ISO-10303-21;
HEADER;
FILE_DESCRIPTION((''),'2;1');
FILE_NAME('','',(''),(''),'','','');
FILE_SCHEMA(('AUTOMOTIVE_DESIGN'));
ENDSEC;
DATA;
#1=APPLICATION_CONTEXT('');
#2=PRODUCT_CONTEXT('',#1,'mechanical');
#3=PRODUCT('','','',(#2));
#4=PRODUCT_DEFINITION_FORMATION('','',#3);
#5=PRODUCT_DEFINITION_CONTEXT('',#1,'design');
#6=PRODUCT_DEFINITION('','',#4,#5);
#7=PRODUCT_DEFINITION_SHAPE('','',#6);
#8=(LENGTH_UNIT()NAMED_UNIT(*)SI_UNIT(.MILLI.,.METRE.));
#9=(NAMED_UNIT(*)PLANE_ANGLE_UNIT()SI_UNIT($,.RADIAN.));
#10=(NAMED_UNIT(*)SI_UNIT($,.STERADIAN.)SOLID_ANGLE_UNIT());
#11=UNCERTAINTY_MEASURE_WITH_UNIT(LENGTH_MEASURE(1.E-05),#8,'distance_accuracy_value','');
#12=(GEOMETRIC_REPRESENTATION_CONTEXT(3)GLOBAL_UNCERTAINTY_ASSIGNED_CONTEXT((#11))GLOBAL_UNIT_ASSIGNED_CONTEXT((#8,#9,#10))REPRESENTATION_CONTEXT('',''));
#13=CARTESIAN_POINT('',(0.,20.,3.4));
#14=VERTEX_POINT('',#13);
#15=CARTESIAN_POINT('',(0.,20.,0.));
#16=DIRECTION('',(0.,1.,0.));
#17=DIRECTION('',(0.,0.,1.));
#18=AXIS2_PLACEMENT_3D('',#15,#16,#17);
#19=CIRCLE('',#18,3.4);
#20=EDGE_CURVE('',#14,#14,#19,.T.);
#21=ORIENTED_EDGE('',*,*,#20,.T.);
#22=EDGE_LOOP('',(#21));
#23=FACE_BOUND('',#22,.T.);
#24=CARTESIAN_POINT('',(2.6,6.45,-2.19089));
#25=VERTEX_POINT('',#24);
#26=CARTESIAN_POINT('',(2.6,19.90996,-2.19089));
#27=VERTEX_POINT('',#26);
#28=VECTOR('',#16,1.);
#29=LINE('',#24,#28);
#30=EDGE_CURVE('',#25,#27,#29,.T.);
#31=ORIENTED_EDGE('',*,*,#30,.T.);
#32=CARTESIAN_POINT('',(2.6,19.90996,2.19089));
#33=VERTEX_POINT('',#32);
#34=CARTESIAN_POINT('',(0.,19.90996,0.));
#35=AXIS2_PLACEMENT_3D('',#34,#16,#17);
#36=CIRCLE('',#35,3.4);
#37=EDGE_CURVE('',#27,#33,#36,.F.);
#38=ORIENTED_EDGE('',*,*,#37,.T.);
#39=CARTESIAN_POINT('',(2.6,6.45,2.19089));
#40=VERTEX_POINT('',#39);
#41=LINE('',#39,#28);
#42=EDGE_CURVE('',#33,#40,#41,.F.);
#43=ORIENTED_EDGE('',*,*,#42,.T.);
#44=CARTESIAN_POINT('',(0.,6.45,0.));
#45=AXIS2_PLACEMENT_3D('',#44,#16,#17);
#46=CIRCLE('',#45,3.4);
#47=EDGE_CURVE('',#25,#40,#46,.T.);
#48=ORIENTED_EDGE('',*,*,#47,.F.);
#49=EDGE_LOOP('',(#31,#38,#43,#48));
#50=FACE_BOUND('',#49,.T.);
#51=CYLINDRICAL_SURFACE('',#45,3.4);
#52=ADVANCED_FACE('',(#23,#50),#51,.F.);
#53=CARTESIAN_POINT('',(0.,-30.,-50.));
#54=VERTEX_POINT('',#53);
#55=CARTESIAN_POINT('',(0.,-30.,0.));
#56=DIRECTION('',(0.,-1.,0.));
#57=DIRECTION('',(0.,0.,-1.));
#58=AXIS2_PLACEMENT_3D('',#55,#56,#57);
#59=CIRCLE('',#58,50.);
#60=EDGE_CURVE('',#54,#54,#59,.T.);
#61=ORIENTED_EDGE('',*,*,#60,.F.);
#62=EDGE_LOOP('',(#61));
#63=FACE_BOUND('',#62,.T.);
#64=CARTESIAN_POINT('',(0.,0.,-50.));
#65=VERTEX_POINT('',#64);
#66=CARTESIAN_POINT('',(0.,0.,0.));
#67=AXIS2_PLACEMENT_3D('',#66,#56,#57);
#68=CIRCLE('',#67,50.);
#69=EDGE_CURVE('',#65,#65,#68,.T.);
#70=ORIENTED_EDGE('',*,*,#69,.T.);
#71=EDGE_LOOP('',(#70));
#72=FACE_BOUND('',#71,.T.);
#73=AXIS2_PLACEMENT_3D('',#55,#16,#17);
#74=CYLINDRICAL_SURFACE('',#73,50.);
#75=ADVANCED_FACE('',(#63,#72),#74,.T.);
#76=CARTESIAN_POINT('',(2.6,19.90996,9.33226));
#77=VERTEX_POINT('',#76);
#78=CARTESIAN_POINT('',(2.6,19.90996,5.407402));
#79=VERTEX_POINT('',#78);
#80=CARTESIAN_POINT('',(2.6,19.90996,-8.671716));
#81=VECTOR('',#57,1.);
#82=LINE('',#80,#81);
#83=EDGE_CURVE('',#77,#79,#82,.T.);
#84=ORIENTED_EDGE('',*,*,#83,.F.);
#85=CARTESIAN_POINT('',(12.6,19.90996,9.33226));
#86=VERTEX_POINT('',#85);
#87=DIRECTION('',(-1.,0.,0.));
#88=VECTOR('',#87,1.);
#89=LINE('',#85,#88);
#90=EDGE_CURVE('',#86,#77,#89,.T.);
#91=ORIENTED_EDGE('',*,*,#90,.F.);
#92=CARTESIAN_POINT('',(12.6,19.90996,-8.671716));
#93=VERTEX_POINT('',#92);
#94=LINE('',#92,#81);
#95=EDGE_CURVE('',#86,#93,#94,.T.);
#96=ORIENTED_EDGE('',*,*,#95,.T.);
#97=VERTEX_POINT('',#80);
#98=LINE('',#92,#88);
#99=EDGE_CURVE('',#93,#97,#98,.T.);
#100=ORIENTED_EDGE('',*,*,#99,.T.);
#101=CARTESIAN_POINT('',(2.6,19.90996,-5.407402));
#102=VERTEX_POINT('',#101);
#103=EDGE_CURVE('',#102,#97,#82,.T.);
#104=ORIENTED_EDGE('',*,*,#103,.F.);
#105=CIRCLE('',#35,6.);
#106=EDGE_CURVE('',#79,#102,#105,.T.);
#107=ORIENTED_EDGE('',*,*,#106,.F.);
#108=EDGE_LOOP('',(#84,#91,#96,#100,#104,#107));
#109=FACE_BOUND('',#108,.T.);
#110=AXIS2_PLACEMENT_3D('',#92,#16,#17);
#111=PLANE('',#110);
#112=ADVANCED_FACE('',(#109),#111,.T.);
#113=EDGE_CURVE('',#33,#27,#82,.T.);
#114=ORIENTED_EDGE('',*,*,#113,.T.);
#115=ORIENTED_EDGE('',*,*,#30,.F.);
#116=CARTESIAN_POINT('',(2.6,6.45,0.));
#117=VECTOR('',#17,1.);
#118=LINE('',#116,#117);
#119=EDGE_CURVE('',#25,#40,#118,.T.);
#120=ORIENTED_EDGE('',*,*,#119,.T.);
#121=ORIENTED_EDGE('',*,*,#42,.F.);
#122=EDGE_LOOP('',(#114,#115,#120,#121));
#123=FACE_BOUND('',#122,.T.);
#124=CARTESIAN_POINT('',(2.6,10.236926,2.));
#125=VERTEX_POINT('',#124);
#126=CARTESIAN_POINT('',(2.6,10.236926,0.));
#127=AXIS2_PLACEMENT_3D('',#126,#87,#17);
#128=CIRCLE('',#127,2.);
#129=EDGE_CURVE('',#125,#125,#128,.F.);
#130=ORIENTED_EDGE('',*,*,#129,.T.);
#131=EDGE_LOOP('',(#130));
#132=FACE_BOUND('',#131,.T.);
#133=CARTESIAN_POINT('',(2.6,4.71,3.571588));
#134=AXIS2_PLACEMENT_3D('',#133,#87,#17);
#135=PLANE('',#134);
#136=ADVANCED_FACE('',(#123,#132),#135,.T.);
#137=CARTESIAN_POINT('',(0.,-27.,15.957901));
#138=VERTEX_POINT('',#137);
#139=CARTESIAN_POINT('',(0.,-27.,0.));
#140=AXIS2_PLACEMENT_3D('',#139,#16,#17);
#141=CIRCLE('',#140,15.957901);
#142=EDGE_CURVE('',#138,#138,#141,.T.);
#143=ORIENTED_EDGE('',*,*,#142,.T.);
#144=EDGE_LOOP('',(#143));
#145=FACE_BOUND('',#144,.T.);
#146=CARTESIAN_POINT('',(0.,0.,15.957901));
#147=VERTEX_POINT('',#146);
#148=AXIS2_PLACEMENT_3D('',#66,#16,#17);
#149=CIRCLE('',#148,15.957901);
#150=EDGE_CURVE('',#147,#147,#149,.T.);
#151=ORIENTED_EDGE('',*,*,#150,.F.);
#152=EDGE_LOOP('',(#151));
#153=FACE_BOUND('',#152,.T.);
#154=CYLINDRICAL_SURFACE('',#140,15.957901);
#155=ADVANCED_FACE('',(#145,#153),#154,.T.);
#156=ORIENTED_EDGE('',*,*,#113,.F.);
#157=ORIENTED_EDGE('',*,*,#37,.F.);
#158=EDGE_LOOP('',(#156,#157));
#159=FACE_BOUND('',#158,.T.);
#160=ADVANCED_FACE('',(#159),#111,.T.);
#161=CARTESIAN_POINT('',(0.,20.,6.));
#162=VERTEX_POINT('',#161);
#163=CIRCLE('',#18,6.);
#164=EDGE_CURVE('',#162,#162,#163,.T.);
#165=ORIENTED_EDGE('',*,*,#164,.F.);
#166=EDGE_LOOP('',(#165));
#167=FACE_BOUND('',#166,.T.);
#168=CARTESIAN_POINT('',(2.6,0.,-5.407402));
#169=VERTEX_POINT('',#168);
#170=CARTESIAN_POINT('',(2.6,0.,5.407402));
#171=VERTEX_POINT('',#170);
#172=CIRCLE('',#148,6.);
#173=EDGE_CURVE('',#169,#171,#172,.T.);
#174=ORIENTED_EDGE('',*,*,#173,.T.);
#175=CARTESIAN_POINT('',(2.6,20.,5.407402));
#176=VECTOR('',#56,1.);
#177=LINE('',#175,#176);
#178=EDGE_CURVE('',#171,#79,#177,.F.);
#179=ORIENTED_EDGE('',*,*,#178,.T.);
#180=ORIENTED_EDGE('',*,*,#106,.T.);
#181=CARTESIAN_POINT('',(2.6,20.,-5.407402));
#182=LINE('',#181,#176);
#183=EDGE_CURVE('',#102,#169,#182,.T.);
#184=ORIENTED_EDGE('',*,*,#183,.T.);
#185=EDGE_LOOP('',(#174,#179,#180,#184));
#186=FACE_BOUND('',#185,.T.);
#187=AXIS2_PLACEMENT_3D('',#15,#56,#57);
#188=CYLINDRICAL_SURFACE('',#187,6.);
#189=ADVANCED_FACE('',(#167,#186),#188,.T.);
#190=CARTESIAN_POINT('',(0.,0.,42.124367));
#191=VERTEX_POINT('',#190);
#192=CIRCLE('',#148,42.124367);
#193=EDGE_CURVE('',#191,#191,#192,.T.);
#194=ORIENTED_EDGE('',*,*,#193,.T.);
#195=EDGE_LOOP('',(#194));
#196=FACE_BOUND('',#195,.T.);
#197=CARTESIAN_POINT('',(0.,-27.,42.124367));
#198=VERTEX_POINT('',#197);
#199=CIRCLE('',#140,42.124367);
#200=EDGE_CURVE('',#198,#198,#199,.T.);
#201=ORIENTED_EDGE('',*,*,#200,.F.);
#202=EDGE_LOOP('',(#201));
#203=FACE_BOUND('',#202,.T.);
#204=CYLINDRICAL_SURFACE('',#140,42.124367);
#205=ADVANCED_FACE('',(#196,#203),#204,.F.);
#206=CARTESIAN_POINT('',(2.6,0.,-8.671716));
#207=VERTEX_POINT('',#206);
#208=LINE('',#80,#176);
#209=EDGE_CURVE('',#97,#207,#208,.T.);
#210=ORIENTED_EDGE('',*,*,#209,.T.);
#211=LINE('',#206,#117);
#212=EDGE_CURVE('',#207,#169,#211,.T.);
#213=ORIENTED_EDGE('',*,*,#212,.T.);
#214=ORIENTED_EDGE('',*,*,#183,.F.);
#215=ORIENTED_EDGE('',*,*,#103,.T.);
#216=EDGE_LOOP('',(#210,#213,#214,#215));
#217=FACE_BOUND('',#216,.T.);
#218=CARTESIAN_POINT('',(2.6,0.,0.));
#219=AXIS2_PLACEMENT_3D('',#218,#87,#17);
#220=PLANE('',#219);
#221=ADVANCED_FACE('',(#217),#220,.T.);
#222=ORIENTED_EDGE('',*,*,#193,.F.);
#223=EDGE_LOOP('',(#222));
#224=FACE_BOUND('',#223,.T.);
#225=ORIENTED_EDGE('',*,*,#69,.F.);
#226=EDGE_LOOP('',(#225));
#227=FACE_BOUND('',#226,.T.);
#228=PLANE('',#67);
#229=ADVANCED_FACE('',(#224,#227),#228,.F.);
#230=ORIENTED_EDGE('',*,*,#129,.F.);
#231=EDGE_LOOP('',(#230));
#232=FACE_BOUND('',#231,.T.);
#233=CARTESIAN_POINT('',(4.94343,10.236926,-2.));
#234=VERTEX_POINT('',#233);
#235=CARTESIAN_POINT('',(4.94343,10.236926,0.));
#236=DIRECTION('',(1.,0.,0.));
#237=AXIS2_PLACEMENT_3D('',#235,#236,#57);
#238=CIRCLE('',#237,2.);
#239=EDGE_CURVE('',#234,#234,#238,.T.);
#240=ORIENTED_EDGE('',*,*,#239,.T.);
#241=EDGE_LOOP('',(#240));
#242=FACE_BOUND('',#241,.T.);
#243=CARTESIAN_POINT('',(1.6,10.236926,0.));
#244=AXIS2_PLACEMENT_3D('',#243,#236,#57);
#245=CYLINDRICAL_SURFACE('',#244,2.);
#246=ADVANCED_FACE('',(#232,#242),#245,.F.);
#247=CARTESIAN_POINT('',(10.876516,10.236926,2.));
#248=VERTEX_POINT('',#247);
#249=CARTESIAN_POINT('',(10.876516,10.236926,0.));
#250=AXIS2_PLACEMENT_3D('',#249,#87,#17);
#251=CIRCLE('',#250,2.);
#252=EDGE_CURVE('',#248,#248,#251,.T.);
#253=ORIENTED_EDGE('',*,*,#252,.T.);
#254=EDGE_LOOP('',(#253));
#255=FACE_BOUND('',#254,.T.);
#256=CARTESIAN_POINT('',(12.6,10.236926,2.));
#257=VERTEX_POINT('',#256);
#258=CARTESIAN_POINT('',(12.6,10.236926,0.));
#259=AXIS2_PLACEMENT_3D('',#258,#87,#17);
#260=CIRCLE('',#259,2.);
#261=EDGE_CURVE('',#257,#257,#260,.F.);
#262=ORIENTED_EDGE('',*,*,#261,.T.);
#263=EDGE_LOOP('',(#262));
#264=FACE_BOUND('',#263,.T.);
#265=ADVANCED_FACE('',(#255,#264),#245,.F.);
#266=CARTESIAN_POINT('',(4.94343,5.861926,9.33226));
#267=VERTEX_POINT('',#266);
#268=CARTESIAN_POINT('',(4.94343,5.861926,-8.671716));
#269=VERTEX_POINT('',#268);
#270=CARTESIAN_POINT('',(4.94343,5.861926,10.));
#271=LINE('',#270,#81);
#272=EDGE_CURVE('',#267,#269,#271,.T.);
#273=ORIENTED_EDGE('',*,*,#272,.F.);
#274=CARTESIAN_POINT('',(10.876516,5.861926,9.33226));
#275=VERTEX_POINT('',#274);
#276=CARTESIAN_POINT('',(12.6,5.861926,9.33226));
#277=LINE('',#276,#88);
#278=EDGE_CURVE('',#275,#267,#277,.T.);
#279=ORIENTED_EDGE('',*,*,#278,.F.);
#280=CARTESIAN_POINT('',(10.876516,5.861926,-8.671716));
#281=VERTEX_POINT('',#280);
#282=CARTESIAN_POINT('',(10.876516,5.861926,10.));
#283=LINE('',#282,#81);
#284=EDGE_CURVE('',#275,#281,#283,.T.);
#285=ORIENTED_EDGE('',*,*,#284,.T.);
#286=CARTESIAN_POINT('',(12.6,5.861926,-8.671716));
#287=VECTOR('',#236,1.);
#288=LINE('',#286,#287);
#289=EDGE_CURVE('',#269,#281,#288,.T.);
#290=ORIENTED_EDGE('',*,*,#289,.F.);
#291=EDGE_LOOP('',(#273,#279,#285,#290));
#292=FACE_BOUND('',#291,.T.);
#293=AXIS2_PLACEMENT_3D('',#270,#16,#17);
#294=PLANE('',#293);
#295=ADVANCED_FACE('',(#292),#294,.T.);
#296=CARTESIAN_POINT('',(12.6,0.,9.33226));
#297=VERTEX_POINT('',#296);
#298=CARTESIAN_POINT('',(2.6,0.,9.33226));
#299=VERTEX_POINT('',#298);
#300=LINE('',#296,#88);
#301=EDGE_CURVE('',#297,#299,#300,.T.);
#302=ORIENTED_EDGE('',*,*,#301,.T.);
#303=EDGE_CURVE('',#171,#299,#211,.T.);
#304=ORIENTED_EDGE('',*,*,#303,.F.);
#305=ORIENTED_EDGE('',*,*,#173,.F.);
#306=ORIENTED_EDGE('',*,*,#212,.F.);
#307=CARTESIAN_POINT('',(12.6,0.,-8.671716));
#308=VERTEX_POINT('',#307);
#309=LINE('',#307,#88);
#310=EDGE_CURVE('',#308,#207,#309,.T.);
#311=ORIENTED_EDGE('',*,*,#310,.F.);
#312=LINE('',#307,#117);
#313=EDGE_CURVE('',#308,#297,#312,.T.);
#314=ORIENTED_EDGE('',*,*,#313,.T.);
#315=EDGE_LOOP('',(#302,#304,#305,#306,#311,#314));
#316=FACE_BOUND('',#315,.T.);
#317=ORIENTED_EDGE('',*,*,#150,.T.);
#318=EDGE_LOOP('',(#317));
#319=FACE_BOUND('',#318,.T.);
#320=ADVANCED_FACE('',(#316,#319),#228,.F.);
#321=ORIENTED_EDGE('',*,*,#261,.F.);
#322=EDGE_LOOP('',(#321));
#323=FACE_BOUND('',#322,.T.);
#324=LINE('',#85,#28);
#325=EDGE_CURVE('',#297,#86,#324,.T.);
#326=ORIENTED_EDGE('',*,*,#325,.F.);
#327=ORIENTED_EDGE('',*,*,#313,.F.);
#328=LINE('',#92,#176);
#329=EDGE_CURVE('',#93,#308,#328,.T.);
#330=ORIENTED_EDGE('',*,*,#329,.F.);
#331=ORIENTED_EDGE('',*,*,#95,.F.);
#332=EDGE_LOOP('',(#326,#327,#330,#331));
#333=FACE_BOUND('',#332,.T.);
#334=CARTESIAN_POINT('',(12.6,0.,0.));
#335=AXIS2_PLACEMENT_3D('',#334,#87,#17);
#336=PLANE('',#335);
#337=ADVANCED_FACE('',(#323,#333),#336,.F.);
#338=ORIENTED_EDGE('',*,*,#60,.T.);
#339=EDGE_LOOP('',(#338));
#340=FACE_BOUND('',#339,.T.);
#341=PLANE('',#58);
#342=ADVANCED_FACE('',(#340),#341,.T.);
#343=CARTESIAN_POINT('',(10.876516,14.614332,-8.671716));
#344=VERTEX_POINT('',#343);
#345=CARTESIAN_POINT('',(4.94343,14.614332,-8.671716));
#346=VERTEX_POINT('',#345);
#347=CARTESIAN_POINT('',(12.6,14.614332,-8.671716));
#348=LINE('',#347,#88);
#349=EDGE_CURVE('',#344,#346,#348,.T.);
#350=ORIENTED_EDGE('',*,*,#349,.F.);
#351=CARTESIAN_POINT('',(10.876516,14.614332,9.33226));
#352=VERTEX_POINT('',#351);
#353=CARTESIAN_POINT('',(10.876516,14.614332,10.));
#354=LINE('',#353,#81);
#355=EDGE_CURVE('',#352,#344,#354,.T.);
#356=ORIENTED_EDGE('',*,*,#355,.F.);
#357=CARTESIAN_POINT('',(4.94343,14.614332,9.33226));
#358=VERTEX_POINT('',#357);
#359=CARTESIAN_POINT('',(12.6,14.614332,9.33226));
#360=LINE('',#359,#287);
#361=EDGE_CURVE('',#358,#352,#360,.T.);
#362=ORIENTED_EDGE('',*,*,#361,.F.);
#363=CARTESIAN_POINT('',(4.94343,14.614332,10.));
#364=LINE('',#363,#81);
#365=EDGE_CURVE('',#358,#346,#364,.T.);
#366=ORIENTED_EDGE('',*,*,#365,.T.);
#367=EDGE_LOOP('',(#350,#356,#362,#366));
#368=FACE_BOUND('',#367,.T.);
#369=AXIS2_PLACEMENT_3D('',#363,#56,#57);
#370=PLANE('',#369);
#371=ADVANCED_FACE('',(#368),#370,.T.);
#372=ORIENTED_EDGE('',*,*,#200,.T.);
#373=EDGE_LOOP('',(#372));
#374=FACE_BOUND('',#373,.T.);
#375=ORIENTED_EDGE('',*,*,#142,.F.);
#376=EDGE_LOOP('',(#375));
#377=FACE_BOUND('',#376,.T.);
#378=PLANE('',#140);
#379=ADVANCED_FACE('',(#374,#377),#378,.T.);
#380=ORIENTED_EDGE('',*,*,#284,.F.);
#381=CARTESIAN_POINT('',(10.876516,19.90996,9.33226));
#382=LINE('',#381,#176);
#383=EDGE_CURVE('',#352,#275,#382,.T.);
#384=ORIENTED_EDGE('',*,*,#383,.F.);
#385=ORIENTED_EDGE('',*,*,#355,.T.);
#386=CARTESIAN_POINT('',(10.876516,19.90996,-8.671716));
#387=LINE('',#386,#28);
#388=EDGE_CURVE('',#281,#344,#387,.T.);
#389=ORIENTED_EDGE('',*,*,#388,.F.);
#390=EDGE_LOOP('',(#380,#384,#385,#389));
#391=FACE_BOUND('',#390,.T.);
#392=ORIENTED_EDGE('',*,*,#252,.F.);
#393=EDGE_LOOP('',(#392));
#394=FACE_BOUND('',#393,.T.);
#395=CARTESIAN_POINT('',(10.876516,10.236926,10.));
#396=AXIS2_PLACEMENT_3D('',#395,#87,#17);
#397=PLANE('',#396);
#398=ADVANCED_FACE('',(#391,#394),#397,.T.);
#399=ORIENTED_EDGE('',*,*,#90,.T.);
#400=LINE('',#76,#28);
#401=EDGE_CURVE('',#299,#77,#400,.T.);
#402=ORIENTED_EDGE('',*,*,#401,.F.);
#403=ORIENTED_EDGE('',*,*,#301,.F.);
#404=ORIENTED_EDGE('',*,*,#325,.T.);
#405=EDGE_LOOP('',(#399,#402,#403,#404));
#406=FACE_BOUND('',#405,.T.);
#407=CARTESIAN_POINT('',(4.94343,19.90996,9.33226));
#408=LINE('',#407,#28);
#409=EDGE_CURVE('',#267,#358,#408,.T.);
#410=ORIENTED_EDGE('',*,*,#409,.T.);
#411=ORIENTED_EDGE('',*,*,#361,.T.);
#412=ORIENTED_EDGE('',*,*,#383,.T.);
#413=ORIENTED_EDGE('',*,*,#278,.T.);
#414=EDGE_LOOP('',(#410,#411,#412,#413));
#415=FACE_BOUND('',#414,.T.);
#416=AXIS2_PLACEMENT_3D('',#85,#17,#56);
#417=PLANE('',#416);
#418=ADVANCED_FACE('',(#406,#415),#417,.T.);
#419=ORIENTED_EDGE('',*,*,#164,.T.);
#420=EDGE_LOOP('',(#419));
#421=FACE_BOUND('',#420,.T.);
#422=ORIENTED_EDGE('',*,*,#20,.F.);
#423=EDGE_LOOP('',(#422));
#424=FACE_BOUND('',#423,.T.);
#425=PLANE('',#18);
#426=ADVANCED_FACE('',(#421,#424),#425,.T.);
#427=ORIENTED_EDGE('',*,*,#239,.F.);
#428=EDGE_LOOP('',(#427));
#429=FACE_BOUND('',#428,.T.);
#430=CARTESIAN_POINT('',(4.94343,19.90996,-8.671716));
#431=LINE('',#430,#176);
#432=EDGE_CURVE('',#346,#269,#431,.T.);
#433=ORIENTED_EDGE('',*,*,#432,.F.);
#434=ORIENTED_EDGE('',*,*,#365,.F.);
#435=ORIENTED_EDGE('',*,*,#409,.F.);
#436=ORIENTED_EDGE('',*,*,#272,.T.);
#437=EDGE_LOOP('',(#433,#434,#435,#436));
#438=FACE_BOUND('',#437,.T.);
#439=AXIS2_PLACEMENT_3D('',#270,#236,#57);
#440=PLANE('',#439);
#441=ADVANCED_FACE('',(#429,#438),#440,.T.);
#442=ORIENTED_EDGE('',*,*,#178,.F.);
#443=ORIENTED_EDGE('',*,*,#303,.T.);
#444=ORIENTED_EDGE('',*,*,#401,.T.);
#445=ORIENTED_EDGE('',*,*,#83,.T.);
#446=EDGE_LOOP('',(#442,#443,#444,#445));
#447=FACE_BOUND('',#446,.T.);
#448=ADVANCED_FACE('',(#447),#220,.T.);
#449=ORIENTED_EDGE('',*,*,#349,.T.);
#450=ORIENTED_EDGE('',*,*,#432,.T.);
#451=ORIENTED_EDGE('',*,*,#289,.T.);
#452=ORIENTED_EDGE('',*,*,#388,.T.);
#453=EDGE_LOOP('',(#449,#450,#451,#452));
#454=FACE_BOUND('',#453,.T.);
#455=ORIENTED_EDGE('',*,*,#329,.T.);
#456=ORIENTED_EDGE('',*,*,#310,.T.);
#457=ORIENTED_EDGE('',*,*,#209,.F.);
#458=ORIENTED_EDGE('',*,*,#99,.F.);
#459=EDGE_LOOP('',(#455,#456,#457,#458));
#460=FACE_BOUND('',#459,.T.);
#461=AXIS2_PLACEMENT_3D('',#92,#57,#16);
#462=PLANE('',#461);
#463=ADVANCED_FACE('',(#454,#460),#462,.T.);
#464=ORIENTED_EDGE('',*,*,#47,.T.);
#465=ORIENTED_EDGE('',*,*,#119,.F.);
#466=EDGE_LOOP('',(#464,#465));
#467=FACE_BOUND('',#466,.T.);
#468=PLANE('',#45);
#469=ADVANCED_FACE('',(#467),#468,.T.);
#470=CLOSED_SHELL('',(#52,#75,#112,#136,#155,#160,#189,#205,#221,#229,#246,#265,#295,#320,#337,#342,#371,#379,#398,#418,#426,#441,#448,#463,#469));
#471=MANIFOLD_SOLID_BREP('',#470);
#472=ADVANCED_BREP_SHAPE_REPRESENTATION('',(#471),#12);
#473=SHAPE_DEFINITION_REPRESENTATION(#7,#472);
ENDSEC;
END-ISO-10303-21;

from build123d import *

# Parameters (mm, degrees)
SKETCH1_R               = 6
BOSS_EXTRUDE1_DEPTH     = 20
SKETCH2_R               = 3.4
CUT_EXTRUDE1_DEPTH      = 13.55
SKETCH5_W               = 1.550685087
SKETCH5_H               = 7.184215806
BOSS_EXTRUDE2_DEPTH     = 13.55
SKETCH7_W               = 18.003976239
SKETCH7_H               = 19.909960041
BOSS_EXTRUDE3_DEPTH     = 10
CUT_EXTRUDE2_DEPTH      = 1
CUT_EXTRUDE2_DEPTH_BACK = 13.55
SKETCH6_R               = 2
CUT_EXTRUDE3_DEPTH      = 10
CUT_EXTRUDE3_DEPTH_BACK = 10
SKETCH10_R              = 50
BOSS_EXTRUDE4_DEPTH     = 30
SKETCH12_R              = 42.124366513
SKETCH12_R_2            = 15.95790089
CUT_EXTRUDE5_DEPTH      = 27


with BuildPart() as part:
    # Sketch1 → Boss-Extrude1 (new body)
    with BuildSketch(Plane(origin=(0, 0, 0), x_dir=(1, 0, 0), z_dir=(0, 1, 0))):
        Circle(SKETCH1_R)
    extrude(amount=BOSS_EXTRUDE1_DEPTH)

    # Sketch2 → Cut-Extrude1 (cut)
    with BuildSketch(Plane(origin=(0, 20, 0), x_dir=(1, 0, 0), z_dir=(0, 1, 0))):
        Circle(SKETCH2_R)
    extrude(amount=-CUT_EXTRUDE1_DEPTH, mode=Mode.SUBTRACT)

    # Sketch5 → Boss-Extrude2 (add)
    with BuildSketch(Plane(origin=(0, 18.26, 0), x_dir=(1, 0, 0), z_dir=(0, 1, 0))):
        with Locations((3.375342544, 0.020519704)):
            Rectangle(SKETCH5_W, SKETCH5_H)
    extrude(amount=-BOSS_EXTRUDE2_DEPTH)

    # Sketch7 → Boss-Extrude3 (add)
    with BuildSketch(Plane.ZY.offset(-2.6)):
        with Locations((0.33027221, 9.954980021)):
            Rectangle(SKETCH7_W, SKETCH7_H)
    extrude(amount=-BOSS_EXTRUDE3_DEPTH)

    # Sketch6 → Cut-Extrude2 (cut, two sides: drawn at the far end of the back side and taken through both)
    with BuildSketch(Plane.ZY.offset(-2.6).offset(-CUT_EXTRUDE2_DEPTH_BACK)):
        with Locations((0, 10.236925537)):
            Circle(SKETCH6_R)
    extrude(amount=CUT_EXTRUDE2_DEPTH + CUT_EXTRUDE2_DEPTH_BACK, mode=Mode.SUBTRACT)

    # Sketch9 → Cut-Extrude3 (cut, two sides: drawn at the far end of the back side and taken through both)
    with BuildSketch(Plane.XY.offset(-CUT_EXTRUDE3_DEPTH_BACK)):
        Polygon((10.876516382, 10.236925537), (10.876516382, 5.861925537), (4.943430227, 5.861925537), (4.943430227, 10.236925537), (4.943430227, 14.614332445), (10.876516382, 14.614332445), align=None)
    extrude(amount=CUT_EXTRUDE3_DEPTH + CUT_EXTRUDE3_DEPTH_BACK, mode=Mode.SUBTRACT)

    # Sketch10 → Boss-Extrude4 (add)
    with BuildSketch(Plane.XZ):
        Circle(SKETCH10_R)
    extrude(amount=BOSS_EXTRUDE4_DEPTH)

    # Sketch12 → Cut-Extrude5 (cut)
    with BuildSketch(Plane(origin=(0, 0, 0), x_dir=(1, 0, 0), z_dir=(0, 1, 0))):
        Circle(SKETCH12_R)
        Circle(SKETCH12_R_2, mode=Mode.SUBTRACT)
    extrude(amount=-CUT_EXTRUDE5_DEPTH, mode=Mode.SUBTRACT)


solid = part.part
